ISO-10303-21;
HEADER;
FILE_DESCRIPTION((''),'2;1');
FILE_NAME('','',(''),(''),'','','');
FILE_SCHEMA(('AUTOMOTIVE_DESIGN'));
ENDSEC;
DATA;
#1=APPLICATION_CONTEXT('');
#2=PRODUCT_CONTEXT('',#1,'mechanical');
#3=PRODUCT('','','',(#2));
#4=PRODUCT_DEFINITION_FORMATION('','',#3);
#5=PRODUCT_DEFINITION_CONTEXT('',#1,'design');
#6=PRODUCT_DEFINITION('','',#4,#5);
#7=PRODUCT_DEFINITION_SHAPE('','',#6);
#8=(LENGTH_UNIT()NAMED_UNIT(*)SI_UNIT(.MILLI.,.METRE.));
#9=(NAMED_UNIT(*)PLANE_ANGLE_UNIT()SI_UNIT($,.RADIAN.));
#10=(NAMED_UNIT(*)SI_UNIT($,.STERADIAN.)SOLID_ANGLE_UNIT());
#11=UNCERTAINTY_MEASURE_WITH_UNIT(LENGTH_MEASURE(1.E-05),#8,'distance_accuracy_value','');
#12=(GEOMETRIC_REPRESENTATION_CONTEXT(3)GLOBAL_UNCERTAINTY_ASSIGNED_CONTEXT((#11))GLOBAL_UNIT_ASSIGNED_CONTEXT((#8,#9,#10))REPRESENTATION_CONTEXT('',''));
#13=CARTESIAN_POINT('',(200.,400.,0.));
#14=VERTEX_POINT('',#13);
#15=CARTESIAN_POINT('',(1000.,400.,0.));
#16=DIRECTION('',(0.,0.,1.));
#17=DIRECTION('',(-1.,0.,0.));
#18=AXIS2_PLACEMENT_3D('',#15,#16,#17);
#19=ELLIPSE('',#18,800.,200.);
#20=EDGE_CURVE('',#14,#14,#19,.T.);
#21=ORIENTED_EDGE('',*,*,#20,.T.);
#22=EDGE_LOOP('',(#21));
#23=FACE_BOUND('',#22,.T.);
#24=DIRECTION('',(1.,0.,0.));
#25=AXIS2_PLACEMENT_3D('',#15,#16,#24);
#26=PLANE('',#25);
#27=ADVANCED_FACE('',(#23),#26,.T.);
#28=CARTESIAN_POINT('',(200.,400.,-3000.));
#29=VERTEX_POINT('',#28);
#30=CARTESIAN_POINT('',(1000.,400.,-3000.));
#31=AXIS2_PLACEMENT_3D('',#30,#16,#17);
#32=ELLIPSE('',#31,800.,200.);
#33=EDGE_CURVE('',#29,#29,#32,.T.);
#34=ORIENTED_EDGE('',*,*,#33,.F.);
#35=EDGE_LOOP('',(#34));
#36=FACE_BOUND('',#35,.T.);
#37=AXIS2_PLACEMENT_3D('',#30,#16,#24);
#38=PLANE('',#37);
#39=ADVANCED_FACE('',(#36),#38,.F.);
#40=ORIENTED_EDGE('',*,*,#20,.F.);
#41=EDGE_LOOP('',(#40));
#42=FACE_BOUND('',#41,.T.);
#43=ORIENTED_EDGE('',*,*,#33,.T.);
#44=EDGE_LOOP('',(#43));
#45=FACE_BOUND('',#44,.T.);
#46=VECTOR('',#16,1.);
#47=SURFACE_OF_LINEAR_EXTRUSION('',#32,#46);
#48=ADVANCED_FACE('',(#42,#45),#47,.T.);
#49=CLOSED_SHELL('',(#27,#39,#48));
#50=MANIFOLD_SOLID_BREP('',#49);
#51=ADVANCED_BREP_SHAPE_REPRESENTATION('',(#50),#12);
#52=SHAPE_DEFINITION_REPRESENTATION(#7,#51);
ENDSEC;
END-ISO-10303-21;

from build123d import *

# Parameters (mm, degrees)
SKETCH_1_RX     = 800
SKETCH_1_RY     = 200
EXTRUDE_1_DEPTH = 3000


with BuildPart() as part:
    # Эскиз1 → Вытянуть1 (new body)
    with BuildSketch(Plane.XY):
        with Locations(Location((1000, 400), (0, 0, 180))):
            Ellipse(SKETCH_1_RX, SKETCH_1_RY)
    extrude(amount=-EXTRUDE_1_DEPTH)


solid = part.part
